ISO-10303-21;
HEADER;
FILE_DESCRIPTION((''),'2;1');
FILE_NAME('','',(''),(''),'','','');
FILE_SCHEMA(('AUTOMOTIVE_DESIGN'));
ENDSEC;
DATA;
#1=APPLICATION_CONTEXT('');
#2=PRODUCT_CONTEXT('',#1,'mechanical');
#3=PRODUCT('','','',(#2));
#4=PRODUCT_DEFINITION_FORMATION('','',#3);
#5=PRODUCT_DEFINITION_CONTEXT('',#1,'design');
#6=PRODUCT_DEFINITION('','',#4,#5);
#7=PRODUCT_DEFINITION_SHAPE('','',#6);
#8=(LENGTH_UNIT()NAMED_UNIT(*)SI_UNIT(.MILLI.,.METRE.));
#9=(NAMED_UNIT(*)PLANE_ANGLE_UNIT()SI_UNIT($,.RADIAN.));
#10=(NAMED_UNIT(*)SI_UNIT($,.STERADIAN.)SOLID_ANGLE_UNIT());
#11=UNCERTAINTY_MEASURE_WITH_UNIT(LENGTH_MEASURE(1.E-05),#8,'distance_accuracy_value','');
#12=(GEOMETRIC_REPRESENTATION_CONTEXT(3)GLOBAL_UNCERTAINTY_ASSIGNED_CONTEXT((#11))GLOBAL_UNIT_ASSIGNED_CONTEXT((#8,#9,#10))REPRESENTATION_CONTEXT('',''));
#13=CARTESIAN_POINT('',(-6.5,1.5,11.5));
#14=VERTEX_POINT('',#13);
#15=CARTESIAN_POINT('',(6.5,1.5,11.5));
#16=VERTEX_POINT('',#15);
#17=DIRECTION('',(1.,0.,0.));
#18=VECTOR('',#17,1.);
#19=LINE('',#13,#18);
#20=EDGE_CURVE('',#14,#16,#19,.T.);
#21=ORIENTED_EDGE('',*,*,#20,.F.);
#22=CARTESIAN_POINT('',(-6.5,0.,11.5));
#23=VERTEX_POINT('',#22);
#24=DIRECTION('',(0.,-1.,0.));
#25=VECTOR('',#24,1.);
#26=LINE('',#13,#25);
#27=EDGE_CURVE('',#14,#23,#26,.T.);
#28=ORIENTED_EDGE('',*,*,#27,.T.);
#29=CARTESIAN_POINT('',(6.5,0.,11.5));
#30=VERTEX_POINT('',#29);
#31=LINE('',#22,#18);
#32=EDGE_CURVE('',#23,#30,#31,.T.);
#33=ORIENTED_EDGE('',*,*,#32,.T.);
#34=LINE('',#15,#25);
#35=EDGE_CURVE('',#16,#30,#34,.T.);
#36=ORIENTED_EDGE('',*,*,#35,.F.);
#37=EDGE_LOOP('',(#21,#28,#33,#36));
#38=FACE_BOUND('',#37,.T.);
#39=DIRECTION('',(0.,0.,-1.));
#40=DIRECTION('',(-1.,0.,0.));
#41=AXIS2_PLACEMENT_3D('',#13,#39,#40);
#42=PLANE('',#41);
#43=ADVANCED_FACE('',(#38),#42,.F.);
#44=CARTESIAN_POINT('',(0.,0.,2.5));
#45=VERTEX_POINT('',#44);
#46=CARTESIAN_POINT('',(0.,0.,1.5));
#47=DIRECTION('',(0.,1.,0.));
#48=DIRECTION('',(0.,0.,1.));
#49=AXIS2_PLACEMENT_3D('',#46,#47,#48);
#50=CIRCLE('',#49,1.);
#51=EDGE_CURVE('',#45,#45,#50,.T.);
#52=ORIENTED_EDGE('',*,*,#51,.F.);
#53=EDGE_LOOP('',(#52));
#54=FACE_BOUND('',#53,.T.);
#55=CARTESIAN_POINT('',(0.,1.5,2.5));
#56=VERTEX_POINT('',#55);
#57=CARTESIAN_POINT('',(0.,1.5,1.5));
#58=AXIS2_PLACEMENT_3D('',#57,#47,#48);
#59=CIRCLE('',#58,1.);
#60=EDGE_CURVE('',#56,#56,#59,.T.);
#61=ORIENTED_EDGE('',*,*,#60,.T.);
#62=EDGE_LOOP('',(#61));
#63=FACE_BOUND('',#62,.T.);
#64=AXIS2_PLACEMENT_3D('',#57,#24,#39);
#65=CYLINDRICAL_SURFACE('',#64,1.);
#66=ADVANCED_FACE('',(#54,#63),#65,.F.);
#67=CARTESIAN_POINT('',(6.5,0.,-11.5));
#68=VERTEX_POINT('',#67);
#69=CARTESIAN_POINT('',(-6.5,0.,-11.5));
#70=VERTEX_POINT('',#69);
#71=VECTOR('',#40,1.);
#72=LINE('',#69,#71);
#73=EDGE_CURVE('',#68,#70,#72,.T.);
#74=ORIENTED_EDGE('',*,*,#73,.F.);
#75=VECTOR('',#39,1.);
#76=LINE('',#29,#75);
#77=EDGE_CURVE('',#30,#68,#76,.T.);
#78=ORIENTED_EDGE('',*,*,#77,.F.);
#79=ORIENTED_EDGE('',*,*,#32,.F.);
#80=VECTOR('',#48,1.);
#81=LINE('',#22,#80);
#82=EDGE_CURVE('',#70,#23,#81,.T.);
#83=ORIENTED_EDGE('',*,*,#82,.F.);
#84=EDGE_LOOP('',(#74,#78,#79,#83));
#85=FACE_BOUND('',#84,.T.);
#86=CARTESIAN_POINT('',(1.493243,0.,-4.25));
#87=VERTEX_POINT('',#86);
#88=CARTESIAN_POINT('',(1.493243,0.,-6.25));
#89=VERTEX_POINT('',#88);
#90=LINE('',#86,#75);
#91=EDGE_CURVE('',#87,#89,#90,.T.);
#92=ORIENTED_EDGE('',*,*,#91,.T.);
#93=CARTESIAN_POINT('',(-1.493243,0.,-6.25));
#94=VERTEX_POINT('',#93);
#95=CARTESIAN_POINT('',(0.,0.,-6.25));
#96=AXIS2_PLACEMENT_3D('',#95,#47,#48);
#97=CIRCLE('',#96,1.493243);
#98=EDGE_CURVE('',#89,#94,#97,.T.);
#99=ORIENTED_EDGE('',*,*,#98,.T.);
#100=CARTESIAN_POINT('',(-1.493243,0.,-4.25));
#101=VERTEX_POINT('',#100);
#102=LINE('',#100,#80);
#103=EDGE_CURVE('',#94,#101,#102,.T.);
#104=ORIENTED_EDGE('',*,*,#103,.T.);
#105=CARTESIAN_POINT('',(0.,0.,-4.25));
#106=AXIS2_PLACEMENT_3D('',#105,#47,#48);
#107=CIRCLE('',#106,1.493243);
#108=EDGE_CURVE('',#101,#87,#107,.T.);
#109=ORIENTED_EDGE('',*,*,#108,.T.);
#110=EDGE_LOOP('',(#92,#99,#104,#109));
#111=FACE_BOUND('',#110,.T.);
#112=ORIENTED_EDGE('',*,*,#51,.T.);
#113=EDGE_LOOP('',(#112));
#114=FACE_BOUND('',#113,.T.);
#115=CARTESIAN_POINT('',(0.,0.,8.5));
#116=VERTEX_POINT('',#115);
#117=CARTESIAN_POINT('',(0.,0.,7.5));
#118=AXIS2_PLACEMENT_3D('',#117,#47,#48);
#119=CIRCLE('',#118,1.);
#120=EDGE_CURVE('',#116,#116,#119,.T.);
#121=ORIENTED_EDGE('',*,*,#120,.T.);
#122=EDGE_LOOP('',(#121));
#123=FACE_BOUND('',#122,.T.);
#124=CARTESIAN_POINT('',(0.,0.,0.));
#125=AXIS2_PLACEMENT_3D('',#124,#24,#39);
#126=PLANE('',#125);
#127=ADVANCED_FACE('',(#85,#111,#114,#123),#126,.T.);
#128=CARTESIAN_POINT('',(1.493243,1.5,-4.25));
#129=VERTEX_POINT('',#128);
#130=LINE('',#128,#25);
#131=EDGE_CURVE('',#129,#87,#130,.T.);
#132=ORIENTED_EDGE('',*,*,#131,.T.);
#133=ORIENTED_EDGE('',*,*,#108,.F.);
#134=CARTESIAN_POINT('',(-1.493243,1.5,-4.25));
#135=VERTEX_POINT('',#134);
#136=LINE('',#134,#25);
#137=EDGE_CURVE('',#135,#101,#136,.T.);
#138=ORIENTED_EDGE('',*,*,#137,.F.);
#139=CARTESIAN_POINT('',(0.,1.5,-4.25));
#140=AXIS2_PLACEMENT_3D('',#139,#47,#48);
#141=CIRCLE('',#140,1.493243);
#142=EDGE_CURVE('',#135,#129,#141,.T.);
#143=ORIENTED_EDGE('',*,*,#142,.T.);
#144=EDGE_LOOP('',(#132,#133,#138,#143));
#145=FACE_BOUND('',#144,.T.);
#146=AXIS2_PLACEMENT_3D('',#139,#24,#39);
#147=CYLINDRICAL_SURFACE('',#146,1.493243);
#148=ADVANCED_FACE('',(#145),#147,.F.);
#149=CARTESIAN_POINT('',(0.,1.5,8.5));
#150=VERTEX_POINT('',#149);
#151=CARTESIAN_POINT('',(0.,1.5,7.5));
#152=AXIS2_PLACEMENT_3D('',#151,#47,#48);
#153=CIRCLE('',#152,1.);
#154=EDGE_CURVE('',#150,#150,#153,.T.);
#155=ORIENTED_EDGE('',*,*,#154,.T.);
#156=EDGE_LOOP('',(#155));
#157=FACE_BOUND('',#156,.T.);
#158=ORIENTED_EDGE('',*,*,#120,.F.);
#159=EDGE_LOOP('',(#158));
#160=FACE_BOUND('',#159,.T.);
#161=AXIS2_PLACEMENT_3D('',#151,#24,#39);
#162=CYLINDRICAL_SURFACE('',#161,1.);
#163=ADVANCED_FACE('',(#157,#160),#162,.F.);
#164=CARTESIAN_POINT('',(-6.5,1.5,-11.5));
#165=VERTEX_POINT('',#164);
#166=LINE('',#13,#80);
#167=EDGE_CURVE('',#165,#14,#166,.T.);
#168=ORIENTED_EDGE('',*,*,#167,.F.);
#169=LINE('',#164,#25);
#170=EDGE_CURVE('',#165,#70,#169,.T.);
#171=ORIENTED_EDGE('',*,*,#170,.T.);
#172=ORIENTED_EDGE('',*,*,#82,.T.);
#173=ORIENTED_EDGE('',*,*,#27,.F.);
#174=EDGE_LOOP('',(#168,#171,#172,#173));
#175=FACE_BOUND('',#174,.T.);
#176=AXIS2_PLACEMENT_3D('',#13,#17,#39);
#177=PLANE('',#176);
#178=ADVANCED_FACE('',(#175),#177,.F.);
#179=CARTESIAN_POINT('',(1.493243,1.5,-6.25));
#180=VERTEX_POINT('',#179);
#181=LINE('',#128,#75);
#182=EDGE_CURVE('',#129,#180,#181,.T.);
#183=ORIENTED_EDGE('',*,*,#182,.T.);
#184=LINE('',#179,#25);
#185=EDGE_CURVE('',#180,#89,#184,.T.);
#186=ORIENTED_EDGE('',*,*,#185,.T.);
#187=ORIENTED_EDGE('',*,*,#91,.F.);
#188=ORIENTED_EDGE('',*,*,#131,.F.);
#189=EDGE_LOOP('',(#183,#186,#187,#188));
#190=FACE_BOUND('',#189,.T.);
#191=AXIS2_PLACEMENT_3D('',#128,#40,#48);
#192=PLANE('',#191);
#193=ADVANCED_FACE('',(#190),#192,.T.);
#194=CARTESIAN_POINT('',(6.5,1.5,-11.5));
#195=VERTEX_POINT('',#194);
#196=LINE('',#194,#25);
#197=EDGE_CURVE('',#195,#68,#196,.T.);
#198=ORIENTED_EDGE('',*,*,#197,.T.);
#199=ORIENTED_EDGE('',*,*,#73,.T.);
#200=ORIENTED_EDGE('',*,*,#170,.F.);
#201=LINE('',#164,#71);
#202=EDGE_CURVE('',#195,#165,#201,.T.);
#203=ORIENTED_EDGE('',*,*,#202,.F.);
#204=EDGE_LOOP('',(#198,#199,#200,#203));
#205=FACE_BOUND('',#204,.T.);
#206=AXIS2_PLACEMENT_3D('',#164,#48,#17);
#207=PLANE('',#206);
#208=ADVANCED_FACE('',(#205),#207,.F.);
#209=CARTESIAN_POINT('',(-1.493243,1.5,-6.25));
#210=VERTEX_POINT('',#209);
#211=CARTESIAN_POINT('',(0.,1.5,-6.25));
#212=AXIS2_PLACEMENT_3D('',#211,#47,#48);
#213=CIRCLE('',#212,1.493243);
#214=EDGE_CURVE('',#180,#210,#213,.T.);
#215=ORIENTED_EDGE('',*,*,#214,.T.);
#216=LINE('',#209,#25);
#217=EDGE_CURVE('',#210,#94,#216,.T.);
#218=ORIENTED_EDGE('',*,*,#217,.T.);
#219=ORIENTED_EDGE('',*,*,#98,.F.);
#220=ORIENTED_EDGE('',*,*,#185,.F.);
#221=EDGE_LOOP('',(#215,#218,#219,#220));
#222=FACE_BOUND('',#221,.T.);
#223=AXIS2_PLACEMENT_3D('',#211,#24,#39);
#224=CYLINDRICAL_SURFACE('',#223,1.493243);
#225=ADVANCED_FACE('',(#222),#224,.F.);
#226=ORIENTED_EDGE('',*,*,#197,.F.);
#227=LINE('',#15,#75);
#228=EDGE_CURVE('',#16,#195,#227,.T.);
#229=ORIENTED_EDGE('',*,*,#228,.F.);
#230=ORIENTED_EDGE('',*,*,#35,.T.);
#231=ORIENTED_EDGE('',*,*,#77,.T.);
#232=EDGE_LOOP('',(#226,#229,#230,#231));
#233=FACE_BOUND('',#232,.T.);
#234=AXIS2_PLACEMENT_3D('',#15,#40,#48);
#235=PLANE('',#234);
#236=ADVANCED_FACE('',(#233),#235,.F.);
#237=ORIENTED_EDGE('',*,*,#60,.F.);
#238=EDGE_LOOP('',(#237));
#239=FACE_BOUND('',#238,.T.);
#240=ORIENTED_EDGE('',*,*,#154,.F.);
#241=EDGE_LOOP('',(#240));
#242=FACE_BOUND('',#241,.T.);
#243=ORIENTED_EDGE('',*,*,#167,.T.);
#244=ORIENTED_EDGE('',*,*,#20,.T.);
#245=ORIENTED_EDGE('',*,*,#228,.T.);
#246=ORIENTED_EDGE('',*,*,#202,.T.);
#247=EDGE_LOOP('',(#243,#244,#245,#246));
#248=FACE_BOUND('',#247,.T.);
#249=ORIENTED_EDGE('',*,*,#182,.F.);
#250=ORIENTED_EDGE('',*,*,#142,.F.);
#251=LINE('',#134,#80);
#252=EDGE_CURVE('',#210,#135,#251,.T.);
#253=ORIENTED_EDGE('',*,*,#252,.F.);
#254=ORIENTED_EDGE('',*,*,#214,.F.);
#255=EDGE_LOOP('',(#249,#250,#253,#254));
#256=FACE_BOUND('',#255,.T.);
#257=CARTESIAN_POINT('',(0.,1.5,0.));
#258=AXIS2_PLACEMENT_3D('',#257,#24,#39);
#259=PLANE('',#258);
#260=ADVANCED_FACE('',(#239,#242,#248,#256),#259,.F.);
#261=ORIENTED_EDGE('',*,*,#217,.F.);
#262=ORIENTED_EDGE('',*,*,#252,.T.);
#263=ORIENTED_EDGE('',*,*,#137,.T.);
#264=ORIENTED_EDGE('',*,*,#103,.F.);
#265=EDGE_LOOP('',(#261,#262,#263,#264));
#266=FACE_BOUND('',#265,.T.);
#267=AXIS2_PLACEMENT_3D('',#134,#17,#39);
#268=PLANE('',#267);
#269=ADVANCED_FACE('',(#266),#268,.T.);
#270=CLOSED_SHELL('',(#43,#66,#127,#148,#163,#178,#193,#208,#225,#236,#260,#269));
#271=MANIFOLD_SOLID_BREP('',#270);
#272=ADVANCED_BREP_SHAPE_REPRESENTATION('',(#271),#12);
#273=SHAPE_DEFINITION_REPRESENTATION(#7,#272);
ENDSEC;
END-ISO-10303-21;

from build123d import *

# Parameters (mm, degrees)
SKETCH1_W           = 13
SKETCH1_H           = 23
SKETCH1_R           = 1
BOSS_EXTRUDE1_DEPTH = 1.5


with BuildPart() as part:
    # Sketch1 → Boss-Extrude1 (new body)
    with BuildSketch(Plane(origin=(0, 0, 0), x_dir=(1, 0, 0), z_dir=(0, 1, 0))):
        Rectangle(SKETCH1_W, SKETCH1_H)
        with Locations(Location((0, -1.5, 0), (0, 0, 270))):
            Circle(SKETCH1_R, mode=Mode.SUBTRACT)
        with Locations(Location((0, -7.5, 0), (0, 0, 270))):
            Circle(SKETCH1_R, mode=Mode.SUBTRACT)
        with BuildLine():
            Line((-1.493243243, 4.25), (-1.493243243, 6.25))
            ThreePointArc((-1.493243243, 6.25), (0, 7.743243243), (1.493243243, 6.25))
            Line((1.493243243, 6.25), (1.493243243, 4.25))
            ThreePointArc((1.493243243, 4.25), (0, 2.756756757), (-1.493243243, 4.25))
        make_face(mode=Mode.SUBTRACT)
    extrude(amount=BOSS_EXTRUDE1_DEPTH)


solid = part.part
